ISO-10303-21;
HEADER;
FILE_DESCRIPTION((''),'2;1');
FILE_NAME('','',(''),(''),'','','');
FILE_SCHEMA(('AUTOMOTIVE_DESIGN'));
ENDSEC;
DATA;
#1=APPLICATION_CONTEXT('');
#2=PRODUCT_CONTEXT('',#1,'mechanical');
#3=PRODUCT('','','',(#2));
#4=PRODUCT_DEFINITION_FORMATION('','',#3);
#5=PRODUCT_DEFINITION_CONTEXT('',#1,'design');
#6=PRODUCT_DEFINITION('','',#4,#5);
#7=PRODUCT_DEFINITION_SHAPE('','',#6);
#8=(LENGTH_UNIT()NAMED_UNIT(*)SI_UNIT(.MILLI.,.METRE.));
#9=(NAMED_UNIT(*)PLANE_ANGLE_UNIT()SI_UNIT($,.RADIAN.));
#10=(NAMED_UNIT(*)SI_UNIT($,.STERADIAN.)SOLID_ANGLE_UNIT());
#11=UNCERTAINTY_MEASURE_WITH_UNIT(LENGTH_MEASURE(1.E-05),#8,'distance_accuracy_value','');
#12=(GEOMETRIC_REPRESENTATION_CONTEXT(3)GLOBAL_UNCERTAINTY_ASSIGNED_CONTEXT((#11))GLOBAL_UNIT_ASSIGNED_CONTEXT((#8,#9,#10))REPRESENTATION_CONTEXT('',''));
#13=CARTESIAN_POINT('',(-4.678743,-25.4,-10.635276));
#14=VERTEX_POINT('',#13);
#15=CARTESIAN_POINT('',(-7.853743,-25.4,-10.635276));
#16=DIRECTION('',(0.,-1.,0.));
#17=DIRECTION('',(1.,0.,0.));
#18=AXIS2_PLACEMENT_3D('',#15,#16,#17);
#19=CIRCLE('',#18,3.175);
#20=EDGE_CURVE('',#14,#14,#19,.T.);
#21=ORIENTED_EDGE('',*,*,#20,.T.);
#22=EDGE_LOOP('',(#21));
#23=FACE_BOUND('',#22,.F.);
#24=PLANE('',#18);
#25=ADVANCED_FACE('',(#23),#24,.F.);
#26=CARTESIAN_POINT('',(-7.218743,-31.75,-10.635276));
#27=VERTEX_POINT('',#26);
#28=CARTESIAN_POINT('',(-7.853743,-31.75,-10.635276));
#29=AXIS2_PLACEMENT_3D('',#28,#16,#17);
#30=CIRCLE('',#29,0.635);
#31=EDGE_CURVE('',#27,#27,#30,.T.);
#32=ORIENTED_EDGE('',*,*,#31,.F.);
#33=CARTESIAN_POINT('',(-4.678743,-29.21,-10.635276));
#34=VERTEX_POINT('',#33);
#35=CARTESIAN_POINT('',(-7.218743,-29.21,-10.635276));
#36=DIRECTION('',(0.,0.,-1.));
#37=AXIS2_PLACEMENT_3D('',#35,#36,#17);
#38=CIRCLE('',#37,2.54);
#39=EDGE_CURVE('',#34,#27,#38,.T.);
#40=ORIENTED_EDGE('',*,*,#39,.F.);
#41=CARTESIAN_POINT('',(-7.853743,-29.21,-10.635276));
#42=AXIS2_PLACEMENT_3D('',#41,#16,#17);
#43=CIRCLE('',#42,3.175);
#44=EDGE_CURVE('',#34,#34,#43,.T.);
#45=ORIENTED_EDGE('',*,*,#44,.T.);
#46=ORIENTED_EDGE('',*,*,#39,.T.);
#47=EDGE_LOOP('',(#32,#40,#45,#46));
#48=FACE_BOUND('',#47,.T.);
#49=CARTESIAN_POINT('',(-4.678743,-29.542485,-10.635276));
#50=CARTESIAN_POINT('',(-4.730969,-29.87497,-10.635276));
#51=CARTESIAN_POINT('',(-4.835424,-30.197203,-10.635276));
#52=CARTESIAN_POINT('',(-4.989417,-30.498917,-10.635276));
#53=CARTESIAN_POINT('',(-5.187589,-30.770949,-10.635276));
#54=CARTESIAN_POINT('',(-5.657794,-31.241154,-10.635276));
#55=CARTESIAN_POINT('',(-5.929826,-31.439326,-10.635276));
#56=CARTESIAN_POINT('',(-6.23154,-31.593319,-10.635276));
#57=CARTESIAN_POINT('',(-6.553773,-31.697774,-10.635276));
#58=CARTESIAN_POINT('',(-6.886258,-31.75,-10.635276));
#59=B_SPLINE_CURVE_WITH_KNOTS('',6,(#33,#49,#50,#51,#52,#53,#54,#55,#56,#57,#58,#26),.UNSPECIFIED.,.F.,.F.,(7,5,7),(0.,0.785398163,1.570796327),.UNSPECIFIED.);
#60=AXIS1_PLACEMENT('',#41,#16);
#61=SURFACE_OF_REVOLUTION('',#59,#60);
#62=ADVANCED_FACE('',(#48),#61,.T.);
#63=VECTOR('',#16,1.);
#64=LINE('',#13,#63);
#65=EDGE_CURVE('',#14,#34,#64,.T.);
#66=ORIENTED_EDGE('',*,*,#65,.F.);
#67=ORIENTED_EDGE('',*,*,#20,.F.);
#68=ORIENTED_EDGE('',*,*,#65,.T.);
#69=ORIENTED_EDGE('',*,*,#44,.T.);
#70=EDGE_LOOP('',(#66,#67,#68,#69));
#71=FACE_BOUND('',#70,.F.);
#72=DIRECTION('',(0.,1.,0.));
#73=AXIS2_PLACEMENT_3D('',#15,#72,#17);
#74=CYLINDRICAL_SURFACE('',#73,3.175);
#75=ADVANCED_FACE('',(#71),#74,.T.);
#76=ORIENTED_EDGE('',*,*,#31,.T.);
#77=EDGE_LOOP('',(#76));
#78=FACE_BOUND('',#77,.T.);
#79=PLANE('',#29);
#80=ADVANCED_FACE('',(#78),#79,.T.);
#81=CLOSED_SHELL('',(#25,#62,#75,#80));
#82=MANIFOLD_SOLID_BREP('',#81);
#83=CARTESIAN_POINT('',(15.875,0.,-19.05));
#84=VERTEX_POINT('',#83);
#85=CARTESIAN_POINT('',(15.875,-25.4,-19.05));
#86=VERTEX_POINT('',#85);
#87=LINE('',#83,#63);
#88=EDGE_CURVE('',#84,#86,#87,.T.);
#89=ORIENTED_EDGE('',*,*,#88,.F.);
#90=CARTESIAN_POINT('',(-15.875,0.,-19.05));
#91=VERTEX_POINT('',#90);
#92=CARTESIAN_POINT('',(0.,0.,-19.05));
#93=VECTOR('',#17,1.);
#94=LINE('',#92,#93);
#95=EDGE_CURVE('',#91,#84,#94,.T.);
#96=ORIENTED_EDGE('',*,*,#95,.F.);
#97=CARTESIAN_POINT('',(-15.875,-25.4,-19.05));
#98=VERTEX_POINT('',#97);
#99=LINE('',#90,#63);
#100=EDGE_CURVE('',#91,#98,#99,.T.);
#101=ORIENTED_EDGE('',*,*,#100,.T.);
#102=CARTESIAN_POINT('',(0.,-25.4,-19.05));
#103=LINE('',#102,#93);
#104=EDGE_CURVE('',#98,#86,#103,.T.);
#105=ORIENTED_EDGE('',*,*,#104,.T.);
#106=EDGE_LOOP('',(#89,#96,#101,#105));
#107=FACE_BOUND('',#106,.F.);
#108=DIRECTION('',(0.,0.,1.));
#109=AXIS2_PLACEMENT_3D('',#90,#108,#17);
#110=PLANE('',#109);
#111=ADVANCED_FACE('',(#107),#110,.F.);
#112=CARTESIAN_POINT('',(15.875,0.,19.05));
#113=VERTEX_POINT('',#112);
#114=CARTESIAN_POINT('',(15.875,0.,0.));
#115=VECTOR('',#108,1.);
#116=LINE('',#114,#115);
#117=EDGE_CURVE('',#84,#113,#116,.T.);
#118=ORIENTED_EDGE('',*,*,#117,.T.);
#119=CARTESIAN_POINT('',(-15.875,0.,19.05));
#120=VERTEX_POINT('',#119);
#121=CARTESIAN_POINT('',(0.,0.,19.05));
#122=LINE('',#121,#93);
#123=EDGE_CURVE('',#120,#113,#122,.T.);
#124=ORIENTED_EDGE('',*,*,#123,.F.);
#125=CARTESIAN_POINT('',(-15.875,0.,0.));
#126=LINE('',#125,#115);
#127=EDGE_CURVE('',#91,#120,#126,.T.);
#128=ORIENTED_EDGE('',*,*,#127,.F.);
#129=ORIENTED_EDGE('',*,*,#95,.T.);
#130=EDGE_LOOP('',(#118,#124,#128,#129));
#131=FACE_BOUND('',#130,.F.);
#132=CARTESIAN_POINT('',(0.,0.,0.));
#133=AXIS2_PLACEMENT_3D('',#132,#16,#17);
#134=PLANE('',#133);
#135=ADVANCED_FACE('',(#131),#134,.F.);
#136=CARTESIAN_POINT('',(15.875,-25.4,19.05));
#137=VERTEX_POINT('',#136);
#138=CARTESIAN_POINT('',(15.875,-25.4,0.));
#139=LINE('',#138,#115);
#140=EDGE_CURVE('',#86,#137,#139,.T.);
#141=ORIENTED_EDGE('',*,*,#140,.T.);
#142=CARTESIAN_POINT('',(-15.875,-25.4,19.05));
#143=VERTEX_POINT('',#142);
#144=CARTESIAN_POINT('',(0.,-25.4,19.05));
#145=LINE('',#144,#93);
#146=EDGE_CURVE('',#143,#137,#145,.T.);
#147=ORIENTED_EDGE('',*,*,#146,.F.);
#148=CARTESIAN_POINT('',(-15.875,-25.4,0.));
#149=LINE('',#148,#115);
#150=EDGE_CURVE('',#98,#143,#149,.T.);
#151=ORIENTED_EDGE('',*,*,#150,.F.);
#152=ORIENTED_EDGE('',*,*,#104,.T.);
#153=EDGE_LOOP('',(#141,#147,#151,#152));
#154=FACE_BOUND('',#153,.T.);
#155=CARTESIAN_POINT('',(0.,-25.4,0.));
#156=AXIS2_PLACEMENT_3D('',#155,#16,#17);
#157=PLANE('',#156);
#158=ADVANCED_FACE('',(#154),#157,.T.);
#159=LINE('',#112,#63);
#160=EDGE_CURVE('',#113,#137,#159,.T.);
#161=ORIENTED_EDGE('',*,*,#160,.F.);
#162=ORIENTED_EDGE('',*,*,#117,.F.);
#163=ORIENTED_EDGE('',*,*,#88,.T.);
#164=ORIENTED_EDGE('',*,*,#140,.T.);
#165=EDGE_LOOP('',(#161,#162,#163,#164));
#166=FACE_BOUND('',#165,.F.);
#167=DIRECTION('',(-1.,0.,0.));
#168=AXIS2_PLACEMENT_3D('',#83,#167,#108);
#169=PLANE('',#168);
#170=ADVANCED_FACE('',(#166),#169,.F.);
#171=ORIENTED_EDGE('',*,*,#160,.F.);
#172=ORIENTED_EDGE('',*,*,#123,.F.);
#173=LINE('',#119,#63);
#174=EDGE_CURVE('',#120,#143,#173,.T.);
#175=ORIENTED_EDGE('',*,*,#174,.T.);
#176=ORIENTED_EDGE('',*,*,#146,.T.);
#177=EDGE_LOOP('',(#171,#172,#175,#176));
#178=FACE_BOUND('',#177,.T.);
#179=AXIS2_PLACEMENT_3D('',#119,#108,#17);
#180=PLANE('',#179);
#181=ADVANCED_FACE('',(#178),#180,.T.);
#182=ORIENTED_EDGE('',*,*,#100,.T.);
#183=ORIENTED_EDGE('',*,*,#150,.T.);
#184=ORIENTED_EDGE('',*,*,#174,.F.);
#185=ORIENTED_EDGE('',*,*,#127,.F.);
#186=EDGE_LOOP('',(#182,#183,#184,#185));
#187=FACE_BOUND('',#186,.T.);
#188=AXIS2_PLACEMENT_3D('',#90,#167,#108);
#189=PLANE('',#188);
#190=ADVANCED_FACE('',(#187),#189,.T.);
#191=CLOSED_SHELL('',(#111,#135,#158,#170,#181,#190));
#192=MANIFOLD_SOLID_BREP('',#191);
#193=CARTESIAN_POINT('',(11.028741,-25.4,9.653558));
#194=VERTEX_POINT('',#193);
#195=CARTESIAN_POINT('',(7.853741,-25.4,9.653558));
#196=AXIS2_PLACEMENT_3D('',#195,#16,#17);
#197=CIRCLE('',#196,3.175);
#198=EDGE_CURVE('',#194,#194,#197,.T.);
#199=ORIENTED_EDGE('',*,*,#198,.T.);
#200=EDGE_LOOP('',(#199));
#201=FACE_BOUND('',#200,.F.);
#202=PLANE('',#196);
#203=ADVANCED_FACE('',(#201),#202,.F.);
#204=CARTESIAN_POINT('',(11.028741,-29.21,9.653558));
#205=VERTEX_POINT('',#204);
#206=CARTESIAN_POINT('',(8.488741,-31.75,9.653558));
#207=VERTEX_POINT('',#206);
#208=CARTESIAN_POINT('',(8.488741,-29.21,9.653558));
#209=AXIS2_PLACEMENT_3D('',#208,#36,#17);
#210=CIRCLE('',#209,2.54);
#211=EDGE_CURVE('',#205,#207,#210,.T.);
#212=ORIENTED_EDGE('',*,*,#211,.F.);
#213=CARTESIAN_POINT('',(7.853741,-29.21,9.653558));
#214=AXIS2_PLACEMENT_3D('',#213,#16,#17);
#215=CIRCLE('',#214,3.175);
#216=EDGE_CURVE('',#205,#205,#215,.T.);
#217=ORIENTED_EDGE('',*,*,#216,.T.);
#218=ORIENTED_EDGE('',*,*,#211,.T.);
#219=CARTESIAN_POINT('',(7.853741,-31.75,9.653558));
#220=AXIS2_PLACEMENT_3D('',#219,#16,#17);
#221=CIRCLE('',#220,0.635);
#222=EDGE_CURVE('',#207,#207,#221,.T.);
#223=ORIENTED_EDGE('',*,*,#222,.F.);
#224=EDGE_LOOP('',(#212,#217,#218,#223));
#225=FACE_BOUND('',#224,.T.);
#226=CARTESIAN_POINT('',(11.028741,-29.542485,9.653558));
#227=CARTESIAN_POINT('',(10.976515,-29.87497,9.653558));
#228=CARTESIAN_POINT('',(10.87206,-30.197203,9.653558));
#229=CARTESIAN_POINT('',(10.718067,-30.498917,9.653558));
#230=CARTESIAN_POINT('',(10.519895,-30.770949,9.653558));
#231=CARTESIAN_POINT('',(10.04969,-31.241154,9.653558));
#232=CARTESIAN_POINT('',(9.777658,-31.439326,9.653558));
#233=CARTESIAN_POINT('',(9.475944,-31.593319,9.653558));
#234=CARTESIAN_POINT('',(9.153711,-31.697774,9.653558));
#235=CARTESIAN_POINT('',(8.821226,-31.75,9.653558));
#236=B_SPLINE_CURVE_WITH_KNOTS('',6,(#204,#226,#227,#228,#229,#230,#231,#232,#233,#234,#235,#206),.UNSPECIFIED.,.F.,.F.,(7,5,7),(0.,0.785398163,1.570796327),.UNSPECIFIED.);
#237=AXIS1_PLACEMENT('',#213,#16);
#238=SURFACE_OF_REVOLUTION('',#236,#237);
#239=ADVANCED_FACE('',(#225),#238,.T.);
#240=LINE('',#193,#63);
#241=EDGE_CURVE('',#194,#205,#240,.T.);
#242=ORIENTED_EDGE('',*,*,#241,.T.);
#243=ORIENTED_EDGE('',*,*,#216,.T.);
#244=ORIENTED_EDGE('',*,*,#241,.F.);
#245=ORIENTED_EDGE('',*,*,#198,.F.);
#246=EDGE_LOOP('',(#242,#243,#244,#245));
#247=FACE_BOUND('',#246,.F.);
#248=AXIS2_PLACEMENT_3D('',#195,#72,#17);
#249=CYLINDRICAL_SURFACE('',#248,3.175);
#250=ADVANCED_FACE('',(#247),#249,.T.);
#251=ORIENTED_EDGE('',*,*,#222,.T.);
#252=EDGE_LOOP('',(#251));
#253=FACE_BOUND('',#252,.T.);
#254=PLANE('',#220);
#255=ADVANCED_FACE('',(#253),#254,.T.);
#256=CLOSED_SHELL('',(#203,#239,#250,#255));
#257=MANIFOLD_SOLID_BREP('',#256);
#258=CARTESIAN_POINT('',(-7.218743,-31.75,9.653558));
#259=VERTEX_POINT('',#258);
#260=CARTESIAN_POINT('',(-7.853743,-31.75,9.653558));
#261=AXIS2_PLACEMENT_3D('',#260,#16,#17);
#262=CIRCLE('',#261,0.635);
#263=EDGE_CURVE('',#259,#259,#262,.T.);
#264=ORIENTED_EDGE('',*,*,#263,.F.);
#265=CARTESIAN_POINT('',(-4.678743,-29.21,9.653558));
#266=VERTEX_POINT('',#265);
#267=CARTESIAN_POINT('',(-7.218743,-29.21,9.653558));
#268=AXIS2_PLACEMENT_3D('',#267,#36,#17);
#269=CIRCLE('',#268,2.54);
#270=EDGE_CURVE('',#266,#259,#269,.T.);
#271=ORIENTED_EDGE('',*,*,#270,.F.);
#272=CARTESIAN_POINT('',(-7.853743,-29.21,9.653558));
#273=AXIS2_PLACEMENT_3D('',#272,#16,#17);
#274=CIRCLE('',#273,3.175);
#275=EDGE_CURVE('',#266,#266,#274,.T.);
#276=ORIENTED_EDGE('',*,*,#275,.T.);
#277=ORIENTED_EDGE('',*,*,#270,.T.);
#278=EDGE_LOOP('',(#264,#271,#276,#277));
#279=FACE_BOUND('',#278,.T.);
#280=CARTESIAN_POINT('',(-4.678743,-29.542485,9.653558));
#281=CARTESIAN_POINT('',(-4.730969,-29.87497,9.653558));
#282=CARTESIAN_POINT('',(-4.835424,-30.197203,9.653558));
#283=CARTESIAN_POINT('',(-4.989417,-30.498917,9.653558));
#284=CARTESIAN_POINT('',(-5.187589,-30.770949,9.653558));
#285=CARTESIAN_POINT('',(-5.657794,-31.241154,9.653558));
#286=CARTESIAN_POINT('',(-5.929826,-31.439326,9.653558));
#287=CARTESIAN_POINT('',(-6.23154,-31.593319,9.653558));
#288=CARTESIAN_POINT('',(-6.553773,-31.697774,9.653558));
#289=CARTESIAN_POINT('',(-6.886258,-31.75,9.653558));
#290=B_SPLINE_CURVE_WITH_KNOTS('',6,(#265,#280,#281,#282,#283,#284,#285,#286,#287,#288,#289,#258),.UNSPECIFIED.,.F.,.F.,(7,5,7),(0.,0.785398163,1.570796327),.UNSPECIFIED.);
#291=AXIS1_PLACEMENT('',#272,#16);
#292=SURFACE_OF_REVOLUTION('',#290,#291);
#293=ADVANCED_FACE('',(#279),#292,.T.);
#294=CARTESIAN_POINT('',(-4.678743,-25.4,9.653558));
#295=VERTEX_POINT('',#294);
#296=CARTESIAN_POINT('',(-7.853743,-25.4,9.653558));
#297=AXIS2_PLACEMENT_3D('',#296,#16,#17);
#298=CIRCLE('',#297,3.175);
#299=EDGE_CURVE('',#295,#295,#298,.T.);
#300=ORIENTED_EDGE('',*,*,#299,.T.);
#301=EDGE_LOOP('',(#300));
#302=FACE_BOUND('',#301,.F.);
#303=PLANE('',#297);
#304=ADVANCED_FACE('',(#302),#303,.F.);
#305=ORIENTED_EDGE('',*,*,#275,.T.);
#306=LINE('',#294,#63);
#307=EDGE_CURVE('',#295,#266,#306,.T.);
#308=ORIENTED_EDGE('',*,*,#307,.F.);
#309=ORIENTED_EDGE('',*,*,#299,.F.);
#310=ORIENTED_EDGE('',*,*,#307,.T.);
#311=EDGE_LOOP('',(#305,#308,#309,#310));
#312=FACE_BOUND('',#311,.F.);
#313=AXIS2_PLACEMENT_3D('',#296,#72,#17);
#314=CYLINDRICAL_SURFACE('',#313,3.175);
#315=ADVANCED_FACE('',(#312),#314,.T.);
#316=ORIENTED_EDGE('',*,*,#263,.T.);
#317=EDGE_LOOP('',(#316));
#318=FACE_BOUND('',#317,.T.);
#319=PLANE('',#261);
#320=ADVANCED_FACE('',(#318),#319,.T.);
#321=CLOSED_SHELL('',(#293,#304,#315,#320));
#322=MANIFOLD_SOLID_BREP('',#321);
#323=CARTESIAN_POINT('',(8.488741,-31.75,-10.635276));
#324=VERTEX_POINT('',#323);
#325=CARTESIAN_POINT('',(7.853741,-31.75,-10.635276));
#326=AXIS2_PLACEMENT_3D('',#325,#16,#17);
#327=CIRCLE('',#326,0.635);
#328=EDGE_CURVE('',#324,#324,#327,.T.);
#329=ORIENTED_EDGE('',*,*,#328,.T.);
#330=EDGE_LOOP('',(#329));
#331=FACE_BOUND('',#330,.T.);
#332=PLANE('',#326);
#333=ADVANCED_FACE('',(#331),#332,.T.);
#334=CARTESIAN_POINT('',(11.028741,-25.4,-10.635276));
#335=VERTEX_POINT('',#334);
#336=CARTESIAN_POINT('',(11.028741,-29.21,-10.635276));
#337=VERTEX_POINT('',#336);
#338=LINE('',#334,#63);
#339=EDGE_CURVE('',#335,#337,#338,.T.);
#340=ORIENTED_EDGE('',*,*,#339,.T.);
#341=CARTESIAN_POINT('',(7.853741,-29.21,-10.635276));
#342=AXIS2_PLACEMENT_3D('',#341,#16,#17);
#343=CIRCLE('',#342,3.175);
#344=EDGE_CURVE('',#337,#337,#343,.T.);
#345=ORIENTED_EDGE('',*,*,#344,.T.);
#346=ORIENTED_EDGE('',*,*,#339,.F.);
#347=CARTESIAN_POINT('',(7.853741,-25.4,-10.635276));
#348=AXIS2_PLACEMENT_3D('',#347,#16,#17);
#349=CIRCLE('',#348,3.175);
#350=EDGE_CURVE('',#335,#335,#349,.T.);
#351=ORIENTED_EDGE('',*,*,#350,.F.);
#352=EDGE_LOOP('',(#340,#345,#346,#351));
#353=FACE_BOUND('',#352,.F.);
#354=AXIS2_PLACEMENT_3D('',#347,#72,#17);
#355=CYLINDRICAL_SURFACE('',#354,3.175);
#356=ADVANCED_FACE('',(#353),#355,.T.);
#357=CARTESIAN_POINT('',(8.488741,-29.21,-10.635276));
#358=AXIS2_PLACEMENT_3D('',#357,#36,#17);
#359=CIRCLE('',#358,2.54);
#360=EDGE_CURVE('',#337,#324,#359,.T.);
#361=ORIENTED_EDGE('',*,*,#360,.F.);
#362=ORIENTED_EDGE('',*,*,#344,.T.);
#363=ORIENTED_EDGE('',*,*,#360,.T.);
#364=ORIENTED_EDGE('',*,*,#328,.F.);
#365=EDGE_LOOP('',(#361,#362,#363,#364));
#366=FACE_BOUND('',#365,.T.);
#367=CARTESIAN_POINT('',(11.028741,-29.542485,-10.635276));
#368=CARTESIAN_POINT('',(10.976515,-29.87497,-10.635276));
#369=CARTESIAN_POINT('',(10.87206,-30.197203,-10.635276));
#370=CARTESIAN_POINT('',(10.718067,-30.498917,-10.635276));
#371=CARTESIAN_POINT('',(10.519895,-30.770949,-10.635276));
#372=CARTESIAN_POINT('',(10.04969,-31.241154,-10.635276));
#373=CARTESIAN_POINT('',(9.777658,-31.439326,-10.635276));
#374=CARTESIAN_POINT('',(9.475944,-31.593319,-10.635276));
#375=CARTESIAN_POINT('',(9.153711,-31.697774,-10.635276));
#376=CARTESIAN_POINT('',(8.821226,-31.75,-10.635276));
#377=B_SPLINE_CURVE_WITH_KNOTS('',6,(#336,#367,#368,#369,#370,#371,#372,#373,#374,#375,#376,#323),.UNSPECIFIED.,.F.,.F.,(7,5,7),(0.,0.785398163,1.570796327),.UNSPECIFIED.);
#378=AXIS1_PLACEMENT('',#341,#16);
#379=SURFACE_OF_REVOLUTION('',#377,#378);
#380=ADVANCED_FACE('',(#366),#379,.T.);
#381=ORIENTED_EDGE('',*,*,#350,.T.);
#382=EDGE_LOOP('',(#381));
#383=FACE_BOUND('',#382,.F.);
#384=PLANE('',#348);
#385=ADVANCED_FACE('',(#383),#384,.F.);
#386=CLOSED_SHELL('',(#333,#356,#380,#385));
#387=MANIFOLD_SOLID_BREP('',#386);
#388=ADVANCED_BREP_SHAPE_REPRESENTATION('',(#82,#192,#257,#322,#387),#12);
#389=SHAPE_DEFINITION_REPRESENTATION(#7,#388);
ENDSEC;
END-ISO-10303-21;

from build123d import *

# Parameters (mm, degrees)
F0_W     = 31.75
F0_H     = 38.1
F1_DEPTH = 25.4
F2_R     = 3.175
F3_DEPTH = 6.35
F4_R     = 2.54


with BuildPart() as f1:
    # F0 (on Front) → F1 (new body)
    with BuildSketch(Plane.XZ):
        Rectangle(F0_W, F0_H)
    extrude(amount=F1_DEPTH)


with BuildPart() as f3:
    # F2 (on face) → F3 (new body)
    with BuildSketch(Plane.XZ.offset(25.4)):
        with Locations((-7.853743, 9.653558)):
            Circle(F2_R)
        with Locations((7.853741, 9.653558)):
            Circle(F2_R)
        with Locations((-7.853743, -10.635276)):
            Circle(F2_R)
        with Locations((7.853741, -10.635276)):
            Circle(F2_R)
    extrude(amount=F3_DEPTH)

    # F4
    f4_edges = [f3.edges().sort_by_distance(p)[0] for p in [
        (-11.028743, -31.75, 9.653558),
        (4.678741, -31.75, 9.653558),
        (4.678741, -31.75, -10.635276),
        (-11.028743, -31.75, -10.635276),
    ]]
    fillet(f4_edges, radius=F4_R)


solid = Compound([f1.part, f3.part])
